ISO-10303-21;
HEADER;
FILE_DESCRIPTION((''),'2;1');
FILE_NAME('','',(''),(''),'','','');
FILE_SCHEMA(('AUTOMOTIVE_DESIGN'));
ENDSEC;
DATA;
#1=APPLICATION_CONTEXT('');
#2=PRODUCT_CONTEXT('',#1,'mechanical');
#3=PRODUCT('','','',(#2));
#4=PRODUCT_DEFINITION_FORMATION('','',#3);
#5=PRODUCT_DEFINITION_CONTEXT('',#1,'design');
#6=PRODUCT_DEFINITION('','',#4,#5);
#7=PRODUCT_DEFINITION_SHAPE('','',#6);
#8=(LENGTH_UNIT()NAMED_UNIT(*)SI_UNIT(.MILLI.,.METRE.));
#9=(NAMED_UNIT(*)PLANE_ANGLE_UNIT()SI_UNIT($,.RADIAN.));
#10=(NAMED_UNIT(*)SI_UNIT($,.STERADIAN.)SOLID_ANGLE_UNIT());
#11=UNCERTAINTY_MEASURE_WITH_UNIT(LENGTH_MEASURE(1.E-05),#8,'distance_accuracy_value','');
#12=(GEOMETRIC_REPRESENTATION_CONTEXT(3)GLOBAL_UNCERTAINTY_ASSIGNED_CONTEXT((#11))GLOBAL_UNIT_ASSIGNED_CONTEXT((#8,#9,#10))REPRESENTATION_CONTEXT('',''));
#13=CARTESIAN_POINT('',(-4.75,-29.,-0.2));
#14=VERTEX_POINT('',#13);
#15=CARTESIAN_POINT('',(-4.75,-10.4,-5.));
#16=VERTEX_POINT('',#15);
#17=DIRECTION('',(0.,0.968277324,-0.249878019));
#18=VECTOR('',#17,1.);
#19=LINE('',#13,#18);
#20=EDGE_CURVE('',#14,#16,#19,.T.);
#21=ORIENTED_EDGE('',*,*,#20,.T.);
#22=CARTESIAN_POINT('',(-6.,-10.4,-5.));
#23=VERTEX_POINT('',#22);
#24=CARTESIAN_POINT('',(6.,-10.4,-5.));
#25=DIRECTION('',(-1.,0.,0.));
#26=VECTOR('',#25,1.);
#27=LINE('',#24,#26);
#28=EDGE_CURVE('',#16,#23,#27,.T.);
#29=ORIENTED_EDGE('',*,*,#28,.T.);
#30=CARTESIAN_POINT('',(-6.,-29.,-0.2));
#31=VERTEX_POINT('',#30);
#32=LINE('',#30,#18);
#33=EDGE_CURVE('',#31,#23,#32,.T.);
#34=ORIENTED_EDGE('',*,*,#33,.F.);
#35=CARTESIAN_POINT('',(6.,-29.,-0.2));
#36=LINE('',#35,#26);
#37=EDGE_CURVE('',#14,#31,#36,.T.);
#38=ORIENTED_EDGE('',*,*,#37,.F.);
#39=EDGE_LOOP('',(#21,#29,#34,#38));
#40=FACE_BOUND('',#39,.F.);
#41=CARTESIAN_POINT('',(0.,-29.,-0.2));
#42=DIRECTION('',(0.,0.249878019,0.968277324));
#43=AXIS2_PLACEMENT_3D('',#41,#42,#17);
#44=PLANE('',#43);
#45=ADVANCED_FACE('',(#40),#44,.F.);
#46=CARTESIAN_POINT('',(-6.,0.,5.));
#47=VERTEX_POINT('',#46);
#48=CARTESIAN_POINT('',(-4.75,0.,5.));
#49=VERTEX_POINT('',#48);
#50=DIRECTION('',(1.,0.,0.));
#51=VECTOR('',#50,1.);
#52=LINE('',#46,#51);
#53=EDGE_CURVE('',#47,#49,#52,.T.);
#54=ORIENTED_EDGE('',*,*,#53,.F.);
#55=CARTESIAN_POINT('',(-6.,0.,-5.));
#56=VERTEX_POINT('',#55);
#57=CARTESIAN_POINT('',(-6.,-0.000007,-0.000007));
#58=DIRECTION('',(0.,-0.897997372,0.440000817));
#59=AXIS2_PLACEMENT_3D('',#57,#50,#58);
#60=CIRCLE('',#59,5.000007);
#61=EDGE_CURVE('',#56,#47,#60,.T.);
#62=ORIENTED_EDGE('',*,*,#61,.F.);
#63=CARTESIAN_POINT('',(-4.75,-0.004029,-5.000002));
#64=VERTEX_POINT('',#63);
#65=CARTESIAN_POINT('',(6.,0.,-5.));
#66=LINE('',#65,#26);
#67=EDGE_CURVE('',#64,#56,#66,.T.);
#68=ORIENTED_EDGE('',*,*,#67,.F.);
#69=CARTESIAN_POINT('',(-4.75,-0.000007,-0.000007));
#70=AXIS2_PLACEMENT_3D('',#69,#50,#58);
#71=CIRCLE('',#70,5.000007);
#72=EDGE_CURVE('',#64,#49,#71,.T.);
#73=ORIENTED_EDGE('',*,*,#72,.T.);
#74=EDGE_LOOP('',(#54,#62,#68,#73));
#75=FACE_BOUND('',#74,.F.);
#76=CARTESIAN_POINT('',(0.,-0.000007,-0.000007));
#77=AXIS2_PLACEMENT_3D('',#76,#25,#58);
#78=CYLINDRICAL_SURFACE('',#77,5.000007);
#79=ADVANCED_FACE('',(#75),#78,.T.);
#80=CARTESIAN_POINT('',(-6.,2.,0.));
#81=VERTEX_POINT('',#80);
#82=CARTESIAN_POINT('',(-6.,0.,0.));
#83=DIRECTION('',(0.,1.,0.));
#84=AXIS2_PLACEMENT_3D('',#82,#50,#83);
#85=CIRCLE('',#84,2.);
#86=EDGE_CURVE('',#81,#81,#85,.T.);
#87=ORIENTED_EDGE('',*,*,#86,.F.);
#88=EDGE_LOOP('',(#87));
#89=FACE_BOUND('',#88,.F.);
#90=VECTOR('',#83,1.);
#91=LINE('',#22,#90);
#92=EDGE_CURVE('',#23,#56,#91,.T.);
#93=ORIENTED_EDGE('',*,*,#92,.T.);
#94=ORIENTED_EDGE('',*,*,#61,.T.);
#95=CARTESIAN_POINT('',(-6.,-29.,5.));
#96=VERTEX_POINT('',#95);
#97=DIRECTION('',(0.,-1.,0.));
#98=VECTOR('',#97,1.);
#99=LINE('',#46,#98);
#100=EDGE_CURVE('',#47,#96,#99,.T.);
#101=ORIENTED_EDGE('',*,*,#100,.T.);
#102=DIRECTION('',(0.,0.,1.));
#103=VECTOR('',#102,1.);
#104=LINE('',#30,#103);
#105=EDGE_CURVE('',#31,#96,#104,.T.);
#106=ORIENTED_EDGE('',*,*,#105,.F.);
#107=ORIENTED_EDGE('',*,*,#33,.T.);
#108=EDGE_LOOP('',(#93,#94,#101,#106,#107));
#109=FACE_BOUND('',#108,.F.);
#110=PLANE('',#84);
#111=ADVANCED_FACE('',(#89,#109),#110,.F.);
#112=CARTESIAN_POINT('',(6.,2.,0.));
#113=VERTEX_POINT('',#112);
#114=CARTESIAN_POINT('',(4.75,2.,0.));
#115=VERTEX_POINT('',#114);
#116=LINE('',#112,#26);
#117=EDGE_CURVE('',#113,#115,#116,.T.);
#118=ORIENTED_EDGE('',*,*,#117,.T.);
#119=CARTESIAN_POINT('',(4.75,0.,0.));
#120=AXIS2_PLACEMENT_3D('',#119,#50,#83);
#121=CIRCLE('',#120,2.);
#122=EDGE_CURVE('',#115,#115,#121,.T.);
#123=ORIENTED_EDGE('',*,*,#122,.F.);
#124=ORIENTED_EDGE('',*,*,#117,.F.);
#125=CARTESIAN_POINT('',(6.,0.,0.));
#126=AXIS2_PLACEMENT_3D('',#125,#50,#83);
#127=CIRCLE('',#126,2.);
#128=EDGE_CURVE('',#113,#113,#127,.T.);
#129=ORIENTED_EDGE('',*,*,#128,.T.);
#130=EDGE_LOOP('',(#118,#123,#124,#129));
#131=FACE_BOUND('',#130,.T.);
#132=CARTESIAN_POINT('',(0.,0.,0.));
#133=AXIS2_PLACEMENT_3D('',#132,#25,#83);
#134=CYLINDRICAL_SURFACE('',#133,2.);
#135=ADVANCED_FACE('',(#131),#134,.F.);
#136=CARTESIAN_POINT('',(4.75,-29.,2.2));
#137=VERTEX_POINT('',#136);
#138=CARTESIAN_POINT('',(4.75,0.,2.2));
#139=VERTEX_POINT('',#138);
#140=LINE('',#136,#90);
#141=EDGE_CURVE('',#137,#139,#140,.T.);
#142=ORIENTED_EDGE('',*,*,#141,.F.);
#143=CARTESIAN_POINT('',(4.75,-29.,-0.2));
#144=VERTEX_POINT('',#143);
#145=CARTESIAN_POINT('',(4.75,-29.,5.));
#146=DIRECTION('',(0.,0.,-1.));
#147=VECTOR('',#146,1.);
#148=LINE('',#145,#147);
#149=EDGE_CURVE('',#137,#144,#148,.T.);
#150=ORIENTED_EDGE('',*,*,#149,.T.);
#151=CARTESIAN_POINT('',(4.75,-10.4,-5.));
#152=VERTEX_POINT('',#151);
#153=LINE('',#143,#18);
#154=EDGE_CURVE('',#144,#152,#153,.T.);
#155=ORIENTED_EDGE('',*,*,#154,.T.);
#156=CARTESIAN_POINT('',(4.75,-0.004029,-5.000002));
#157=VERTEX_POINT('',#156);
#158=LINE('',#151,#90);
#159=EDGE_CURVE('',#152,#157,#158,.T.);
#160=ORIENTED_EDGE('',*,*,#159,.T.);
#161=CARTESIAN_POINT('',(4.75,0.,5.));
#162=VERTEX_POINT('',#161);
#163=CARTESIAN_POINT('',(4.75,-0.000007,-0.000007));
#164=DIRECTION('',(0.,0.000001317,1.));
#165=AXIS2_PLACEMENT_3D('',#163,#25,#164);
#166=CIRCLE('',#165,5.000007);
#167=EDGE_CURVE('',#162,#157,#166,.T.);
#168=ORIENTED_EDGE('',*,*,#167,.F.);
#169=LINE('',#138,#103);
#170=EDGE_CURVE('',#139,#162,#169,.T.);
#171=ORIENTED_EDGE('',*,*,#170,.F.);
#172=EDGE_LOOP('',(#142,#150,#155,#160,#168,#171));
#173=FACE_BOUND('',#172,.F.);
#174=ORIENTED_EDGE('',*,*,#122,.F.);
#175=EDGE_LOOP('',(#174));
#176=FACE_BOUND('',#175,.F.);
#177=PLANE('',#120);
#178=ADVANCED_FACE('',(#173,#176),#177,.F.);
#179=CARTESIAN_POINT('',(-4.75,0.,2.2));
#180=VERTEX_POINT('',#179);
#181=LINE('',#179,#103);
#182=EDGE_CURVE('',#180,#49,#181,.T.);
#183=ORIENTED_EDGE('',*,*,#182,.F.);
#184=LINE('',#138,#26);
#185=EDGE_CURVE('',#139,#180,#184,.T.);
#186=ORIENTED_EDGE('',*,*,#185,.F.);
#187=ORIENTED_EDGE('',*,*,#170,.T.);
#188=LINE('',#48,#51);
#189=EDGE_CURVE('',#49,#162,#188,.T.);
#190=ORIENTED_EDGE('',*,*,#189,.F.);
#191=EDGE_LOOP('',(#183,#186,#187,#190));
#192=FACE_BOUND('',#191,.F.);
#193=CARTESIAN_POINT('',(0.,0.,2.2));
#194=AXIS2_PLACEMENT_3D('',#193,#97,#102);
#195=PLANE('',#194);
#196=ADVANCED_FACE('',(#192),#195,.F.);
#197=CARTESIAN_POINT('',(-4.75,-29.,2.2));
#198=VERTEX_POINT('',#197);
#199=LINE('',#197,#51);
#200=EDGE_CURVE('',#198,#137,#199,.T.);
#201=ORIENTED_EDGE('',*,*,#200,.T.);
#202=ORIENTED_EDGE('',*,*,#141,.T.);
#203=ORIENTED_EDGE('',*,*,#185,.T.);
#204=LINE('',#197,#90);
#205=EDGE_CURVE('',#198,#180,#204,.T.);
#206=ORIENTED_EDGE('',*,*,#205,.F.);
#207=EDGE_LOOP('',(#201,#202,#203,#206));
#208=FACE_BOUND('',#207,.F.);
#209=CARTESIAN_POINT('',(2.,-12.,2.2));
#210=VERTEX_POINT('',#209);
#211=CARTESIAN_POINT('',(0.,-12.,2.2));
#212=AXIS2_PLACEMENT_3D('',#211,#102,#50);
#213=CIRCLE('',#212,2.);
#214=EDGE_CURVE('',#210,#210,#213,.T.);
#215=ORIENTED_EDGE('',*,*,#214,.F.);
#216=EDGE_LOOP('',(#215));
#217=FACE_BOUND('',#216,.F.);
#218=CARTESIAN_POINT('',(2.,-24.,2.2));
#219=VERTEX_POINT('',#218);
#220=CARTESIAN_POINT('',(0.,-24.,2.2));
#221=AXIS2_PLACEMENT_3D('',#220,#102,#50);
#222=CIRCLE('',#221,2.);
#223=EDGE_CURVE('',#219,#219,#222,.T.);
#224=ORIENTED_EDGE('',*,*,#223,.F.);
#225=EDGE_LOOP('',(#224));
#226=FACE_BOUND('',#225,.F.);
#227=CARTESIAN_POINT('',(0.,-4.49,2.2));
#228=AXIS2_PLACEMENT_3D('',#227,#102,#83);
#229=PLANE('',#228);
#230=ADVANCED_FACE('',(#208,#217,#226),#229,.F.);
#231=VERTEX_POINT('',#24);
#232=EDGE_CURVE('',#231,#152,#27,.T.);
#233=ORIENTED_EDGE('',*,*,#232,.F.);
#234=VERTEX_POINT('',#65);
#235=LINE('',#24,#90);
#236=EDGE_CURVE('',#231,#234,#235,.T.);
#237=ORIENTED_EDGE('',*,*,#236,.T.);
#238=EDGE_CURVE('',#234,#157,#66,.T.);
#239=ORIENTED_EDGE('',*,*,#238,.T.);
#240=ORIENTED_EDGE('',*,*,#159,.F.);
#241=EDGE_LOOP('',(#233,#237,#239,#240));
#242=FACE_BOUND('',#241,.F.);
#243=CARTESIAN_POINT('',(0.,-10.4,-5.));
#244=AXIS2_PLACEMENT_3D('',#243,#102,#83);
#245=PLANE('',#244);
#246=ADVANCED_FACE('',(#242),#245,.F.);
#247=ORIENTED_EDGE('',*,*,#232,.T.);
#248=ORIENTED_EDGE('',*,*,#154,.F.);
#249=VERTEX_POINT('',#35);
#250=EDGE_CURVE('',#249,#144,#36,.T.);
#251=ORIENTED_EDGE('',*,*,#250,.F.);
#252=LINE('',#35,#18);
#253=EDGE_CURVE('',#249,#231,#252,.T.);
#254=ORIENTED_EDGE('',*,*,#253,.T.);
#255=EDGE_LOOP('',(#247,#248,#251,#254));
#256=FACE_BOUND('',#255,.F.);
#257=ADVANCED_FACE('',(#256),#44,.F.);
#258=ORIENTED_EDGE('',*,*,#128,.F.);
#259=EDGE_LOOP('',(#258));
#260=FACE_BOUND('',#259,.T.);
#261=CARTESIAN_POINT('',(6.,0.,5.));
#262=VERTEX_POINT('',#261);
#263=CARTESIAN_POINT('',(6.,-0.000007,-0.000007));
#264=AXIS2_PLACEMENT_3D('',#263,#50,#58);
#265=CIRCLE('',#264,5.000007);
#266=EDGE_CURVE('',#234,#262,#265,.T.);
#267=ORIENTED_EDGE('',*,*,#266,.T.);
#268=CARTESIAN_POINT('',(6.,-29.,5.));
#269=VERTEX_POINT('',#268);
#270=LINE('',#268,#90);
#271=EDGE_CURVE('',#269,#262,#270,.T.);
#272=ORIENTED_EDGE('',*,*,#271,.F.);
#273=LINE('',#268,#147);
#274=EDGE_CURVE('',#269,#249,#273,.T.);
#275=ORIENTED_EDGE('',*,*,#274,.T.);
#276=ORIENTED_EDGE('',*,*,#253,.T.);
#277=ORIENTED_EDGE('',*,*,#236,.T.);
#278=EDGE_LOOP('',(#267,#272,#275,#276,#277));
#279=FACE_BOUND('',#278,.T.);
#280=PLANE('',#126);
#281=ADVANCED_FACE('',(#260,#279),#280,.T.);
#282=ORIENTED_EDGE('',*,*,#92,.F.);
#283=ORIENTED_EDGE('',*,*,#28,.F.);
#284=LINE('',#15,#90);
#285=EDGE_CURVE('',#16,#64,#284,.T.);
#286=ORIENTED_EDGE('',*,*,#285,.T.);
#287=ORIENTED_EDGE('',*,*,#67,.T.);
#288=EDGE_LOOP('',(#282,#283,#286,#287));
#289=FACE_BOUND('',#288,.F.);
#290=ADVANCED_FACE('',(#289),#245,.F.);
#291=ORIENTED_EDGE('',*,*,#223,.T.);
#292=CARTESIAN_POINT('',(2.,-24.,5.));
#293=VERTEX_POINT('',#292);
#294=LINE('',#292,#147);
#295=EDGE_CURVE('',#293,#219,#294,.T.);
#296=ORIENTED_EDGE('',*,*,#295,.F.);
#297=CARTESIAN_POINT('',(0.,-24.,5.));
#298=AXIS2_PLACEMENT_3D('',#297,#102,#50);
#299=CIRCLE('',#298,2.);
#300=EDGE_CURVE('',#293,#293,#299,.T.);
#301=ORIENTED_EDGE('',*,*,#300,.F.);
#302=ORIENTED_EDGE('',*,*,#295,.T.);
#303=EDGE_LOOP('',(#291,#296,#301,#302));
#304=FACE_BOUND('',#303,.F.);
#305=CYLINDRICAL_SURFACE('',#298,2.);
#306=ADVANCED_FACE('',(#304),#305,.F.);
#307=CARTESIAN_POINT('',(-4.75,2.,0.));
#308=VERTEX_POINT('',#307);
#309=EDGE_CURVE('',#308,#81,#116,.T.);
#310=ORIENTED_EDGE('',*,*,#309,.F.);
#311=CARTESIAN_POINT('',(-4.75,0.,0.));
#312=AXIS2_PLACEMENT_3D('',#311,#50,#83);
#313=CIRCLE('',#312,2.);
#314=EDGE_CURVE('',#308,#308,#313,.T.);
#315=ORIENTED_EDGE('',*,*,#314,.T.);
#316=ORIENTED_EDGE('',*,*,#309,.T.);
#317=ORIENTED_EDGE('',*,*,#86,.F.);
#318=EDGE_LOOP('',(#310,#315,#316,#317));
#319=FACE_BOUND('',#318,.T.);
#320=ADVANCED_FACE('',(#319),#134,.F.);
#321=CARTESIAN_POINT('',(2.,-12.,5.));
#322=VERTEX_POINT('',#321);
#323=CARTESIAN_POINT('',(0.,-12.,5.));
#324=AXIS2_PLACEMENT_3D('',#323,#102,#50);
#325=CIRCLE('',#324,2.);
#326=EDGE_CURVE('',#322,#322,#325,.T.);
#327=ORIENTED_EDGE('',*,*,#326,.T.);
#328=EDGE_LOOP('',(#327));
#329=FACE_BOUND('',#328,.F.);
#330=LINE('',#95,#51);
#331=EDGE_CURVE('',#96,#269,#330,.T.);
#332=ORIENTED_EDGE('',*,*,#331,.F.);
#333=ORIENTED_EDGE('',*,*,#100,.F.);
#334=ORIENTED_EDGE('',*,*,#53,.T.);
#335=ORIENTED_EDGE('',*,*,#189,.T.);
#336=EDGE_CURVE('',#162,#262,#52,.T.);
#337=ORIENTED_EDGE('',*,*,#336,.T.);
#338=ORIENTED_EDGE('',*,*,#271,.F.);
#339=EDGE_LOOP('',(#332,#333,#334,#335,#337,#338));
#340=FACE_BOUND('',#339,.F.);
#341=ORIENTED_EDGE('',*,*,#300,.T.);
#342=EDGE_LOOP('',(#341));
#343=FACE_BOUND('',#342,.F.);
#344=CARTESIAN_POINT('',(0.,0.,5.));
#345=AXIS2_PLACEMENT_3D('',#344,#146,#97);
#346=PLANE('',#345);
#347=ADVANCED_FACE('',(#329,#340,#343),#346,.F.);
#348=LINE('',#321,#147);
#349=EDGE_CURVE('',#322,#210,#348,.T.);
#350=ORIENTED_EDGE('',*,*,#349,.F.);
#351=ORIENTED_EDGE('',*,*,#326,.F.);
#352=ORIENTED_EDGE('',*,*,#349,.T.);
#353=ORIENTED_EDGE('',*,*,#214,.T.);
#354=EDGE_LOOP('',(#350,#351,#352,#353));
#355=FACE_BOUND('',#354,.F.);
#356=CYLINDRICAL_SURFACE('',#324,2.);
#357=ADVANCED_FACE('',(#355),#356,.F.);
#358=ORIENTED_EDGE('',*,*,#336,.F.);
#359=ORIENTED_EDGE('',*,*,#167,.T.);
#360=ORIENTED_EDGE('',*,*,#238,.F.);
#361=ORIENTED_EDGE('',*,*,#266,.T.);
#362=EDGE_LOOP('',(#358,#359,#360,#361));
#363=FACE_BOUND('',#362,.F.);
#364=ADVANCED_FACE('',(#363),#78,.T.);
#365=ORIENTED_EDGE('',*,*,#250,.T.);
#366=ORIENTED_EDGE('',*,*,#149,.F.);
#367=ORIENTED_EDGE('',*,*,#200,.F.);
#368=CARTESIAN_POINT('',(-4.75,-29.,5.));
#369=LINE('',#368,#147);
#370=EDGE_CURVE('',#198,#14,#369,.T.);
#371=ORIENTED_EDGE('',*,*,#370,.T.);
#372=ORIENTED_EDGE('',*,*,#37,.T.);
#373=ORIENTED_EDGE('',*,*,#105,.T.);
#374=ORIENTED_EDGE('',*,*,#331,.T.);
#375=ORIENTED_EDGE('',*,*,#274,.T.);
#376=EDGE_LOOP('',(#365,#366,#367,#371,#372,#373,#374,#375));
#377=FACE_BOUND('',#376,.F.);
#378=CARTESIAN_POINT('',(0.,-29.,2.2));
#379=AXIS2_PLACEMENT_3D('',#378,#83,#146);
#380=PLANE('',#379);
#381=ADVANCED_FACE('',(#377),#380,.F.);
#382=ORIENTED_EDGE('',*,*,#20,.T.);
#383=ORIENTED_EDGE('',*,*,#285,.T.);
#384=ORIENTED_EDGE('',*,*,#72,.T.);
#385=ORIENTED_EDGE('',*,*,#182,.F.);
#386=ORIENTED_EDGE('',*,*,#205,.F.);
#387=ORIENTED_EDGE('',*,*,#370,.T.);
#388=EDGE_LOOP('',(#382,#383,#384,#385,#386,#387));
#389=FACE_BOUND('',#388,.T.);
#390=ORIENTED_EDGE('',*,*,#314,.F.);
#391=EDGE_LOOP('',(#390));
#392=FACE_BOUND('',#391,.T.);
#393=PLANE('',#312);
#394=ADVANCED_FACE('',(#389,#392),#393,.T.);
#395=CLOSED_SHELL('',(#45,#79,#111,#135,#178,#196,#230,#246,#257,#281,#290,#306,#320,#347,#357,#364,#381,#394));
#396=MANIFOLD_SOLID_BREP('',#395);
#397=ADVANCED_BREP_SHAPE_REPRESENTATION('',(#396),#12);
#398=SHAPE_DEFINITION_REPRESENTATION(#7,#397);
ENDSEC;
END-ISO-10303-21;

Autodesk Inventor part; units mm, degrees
ref_plane "YZ Plane" through (0, 0, 0) normal (1, 0, 0) x (0, 1, 0)
ref_plane "XZ Plane" through (0, 0, 0) normal (0, 1, 0) x (-1, 0, 0)
ref_plane "XY Plane" through (0, 0, 0) normal (0, 0, 1) x (1, 0, 0)
sketch "Эскиз1" plane through (0, 0, 0) normal (1, 0, 0) x (0, 1, 0)
  circle A0 centre (0, 0) radius 2
  arc A1 (-4.49, 2.2) -> (0, 5) centre (0, 0) ccw
  line L0 (0, 5) -> (-29, 5)
  line L1 (-29, 5) -> (-29, -0.2)
  line L2 (-29, -0.2) -> (-10.4, -5)
  line L3 (-10.4, -5) -> (0, -5)
  line L4 (-4.49, 2.2) -> (-29, 2.2)
  line L5 (-4.49, 5) -> (0, 5)
  line L6 (-4.49, 5) -> (-29, 5)
  line L7 (-10.4, -5) -> (0, -5)
  line L8 (-4.49, 2.2) -> (0, 2.2)
  line L9 (0, 2.2) -> (0, 5)
  line L10 (0, 5) -> (-4.49, 5)
  dimension "d0" = 4
  dimension "d1" = 10
  dimension "d2" = 34
  dimension "d3" = 5.2
  dimension "d4" = 18.6
  dimension "d5" = 2.8
  dimension "d6" = 10
extrude "Выдавливание1" add sketch "Эскиз1" along normal mid plane 12
extrude "Выдавливание2" cut sketch "Эскиз1" along normal mid plane 9.5 contours L8 L9 A1
extrude "Выдавливание3" cut sketch "Эскиз1" along normal mid plane 9.5 contours A1 L3 L2 L1 L4
sketch "Эскиз2" plane through (-6, -29, 5) normal (0, 0, 1) x (1, 0, 0)
  line L0 (6, 29) -> (6, 0) construction
  line L1 (0, 0) -> (12, 0) construction
  circle A0 centre (6, 5) radius 2
  circle A1 centre (6, 17) radius 2
  dimension "d13" = 4
  dimension "d14" = 4
  dimension "d15" = 12
  dimension "d16" = 5
extrude "Выдавливание4" cut sketch "Эскиз2" against normal blind 9.5
properties part number "крепленеи кабеля"
